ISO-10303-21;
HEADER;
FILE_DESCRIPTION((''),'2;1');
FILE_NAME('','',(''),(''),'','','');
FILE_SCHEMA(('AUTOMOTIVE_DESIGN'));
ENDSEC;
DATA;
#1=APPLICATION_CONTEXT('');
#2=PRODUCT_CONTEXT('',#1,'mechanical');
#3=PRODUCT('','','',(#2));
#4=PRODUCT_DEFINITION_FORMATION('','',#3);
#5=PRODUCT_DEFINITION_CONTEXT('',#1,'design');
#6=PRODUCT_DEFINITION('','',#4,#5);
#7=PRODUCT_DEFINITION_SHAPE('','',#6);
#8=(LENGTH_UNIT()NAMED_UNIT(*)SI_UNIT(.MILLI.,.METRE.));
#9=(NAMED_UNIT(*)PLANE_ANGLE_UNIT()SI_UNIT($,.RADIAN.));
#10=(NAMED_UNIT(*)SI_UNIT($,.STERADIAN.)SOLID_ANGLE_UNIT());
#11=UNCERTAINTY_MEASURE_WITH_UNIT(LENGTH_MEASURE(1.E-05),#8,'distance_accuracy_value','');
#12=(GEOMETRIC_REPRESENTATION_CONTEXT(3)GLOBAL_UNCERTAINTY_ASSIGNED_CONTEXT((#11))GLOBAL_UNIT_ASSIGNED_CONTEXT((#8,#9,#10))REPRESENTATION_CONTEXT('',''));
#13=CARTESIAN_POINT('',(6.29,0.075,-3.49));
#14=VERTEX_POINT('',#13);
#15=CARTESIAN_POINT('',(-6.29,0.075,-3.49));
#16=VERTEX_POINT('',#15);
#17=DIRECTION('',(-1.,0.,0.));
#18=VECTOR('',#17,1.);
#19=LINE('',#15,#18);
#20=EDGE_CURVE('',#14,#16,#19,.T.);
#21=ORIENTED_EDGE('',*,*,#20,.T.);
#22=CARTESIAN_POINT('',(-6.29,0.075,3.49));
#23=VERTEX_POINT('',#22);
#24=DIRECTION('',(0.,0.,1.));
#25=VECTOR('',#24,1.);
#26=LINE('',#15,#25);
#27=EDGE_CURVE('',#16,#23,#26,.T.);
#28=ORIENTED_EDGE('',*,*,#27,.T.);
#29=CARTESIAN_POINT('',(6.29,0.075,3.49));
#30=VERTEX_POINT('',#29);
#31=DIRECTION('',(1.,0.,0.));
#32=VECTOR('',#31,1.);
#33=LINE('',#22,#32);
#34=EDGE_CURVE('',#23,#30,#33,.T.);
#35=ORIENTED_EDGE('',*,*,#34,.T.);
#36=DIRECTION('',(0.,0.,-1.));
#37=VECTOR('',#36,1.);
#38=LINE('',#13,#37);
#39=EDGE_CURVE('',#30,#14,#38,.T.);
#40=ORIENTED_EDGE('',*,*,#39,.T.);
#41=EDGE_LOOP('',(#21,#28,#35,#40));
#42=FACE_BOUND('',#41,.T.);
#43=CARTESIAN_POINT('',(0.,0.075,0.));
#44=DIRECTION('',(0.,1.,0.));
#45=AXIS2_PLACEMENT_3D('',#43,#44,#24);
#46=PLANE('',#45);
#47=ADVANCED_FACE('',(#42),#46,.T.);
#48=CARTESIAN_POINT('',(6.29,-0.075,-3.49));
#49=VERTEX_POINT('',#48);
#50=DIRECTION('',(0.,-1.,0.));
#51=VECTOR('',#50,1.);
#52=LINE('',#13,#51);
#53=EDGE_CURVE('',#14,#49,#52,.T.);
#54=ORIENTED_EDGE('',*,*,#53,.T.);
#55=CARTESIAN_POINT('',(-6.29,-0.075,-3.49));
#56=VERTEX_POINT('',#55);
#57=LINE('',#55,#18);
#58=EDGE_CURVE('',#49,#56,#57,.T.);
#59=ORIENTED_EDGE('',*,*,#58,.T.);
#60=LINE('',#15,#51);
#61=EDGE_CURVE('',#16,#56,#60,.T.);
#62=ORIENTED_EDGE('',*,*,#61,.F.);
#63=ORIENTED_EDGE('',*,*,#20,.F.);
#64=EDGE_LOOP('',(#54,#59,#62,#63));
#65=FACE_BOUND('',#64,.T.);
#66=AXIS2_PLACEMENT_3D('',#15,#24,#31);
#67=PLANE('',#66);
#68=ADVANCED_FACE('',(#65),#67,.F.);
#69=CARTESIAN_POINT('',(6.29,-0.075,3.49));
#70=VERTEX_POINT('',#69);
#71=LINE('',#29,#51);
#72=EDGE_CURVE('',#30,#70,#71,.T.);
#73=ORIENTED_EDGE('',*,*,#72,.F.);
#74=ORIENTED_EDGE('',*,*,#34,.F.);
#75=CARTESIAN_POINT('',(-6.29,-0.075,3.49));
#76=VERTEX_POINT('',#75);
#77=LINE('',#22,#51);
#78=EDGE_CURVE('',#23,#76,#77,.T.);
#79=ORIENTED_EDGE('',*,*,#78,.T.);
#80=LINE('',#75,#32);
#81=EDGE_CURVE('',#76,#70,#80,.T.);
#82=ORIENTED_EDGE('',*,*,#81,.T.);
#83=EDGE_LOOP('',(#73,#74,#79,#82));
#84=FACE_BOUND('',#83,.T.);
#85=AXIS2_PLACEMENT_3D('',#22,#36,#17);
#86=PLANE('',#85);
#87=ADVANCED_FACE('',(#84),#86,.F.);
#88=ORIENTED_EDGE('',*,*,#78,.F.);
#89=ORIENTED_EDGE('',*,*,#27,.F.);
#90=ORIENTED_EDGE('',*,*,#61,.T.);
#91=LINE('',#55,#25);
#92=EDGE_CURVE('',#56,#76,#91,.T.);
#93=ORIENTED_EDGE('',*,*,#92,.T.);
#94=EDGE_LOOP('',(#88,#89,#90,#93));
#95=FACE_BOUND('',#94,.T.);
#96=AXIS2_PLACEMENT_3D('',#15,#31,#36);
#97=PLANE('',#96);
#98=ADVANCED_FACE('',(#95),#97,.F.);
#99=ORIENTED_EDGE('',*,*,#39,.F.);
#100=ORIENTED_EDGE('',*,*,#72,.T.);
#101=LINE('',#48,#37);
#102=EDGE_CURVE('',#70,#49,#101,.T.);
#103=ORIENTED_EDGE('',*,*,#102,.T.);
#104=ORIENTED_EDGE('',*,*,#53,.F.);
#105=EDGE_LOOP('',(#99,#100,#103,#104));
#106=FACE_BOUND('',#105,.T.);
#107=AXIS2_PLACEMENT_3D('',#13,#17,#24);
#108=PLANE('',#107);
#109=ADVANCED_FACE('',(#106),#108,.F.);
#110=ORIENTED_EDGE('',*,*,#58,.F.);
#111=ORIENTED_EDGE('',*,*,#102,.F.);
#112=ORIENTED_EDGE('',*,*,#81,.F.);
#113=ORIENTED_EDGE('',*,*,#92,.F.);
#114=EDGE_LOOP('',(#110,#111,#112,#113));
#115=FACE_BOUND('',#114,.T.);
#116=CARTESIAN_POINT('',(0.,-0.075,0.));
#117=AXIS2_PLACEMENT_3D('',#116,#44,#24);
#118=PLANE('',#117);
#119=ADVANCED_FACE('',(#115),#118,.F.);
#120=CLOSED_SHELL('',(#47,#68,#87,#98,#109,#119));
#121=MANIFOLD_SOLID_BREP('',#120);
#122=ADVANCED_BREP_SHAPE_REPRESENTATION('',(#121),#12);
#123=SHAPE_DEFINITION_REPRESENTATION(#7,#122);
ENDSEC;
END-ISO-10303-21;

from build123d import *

# Parameters (mm, degrees)
SKETCH2_W           = 12.58
SKETCH2_H           = 6.98
BOSS_EXTRUDE2_DEPTH = 0.075


with BuildPart() as part:
    # Sketch2 → Boss-Extrude2 (new, symmetric)
    with BuildSketch(Plane(origin=(0, 0, 0), x_dir=(1, 0, 0), z_dir=(0, 1, 0))):
        Rectangle(SKETCH2_W, SKETCH2_H)
    extrude(amount=BOSS_EXTRUDE2_DEPTH, both=True)


solid = part.part
